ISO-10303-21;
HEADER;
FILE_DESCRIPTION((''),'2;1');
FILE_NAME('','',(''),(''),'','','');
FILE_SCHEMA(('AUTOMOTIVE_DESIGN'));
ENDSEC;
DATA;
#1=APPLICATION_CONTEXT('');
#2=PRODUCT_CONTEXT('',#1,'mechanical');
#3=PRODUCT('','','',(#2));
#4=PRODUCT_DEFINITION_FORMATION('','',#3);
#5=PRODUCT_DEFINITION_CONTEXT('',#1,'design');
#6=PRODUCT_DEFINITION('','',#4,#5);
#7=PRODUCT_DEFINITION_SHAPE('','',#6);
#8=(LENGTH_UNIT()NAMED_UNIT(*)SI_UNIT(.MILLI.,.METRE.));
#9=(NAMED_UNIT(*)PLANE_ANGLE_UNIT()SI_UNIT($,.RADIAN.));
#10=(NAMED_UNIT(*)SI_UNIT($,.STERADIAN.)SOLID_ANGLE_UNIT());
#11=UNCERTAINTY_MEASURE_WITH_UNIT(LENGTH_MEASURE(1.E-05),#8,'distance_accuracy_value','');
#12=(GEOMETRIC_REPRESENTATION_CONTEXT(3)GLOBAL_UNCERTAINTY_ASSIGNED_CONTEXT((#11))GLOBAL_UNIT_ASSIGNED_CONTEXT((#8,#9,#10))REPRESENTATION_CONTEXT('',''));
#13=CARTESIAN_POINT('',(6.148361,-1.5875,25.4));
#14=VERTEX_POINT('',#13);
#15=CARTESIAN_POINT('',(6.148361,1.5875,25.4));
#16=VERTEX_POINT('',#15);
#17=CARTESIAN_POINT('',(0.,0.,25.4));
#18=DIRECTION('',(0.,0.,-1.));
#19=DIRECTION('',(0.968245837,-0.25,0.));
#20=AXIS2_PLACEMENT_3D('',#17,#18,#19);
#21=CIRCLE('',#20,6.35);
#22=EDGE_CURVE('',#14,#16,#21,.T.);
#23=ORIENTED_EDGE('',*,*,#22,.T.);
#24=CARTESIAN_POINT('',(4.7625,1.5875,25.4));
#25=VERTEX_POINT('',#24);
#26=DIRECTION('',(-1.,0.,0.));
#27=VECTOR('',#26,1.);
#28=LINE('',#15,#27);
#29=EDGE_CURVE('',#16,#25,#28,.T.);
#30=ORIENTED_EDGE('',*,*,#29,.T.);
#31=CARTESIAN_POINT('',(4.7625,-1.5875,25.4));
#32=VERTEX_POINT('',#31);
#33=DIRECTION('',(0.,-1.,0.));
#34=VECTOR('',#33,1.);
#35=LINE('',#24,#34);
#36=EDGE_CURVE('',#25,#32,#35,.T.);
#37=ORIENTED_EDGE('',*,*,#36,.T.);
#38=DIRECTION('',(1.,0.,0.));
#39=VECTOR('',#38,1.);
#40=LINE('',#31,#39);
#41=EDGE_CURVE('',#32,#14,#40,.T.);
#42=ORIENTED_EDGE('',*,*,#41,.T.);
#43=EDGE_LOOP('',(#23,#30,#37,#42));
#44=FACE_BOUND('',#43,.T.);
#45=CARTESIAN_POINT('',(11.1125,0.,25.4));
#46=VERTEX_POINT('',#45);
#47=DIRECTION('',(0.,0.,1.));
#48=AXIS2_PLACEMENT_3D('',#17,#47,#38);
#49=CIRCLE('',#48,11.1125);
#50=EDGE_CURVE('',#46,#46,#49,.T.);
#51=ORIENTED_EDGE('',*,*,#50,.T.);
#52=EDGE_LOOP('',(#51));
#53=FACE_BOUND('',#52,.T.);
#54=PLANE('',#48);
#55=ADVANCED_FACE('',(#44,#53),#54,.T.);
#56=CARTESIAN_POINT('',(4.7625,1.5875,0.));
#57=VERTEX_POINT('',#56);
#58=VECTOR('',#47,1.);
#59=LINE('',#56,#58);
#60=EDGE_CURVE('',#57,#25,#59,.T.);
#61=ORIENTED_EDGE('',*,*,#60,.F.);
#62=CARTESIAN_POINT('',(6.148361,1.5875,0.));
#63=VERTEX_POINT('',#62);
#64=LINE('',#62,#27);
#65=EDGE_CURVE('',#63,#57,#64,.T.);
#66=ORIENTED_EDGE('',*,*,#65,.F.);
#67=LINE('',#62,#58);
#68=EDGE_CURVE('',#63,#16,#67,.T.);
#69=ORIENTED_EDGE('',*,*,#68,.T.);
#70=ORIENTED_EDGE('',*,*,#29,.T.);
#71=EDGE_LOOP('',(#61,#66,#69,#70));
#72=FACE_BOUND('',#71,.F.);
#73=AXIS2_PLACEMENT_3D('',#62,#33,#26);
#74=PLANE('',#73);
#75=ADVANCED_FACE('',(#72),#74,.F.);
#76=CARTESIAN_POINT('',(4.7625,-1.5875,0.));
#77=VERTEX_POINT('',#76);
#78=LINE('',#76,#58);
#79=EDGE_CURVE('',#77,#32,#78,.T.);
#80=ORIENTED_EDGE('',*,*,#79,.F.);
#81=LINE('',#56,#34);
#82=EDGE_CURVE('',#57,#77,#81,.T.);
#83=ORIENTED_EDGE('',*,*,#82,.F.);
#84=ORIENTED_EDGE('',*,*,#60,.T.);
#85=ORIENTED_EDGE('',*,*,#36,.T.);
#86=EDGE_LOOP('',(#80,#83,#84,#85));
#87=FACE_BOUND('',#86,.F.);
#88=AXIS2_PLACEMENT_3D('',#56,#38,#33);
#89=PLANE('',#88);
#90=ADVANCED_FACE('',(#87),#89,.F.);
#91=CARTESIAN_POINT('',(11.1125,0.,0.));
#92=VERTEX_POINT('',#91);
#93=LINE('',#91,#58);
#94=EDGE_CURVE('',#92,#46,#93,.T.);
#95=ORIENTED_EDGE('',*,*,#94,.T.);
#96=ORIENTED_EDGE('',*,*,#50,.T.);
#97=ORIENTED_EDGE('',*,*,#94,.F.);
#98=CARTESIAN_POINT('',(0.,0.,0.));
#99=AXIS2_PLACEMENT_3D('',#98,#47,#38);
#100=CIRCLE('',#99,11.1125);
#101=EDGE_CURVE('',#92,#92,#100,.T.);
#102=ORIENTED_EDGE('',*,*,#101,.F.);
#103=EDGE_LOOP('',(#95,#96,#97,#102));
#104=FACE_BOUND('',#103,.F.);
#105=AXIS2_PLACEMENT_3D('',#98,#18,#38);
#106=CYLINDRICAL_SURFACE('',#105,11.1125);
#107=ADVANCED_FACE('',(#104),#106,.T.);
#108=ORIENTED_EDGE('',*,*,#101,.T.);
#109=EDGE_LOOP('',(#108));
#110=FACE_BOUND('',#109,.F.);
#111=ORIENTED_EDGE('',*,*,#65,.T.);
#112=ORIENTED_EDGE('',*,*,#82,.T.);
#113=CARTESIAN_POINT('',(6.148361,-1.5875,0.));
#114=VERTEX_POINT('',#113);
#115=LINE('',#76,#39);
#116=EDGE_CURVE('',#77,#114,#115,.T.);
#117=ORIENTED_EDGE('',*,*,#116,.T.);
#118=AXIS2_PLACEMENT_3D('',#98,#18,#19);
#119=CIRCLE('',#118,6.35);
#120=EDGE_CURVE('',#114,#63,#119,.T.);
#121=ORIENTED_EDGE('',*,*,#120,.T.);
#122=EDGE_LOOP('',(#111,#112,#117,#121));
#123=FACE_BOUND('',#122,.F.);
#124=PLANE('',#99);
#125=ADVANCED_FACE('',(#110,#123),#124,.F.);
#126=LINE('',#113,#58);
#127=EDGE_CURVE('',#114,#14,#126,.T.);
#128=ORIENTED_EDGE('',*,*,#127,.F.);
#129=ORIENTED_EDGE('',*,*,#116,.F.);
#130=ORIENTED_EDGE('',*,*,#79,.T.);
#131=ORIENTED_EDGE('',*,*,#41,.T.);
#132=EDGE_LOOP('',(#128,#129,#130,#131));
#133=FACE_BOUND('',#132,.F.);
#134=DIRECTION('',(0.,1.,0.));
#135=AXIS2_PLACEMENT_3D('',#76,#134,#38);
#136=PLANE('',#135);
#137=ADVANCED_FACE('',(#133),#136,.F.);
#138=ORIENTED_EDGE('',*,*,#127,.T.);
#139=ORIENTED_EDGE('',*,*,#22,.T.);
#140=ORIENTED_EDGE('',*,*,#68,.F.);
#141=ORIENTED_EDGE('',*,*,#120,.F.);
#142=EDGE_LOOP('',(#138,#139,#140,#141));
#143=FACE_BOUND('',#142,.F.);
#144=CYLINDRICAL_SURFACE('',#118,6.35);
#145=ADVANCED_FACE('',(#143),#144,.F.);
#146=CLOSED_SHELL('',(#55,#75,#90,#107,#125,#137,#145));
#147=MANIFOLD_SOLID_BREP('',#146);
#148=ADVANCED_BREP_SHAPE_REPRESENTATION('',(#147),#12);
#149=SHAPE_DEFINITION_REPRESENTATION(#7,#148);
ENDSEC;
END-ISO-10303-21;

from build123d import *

# Parameters (mm, degrees)
F0_R     = 11.1125
F1_DEPTH = 25.4


with BuildPart() as f1:
    # F0 (on Top) → F1 (new body)
    with BuildSketch(Plane.XY):
        Circle(F0_R)
        with BuildLine():
            ThreePointArc((6.1483610621, -1.5875), (-6.35, 0), (6.1483610621, 1.5875))
            Line((6.1483610621, 1.5875), (7.9375, 1.5875))
            Line((7.9375, 1.5875), (7.9375, -1.5875))
            Line((7.9375, -1.5875), (6.1483610621, -1.5875))
        make_face(mode=Mode.SUBTRACT)
        with BuildLine():
            ThreePointArc((6.1483610621, 1.5875), (6.2993885713, 0.8001272573), (6.35, 0))
            ThreePointArc((6.35, 0), (6.2993885713, -0.8001272573), (6.1483610621, -1.5875))
            Line((6.1483610621, -1.5875), (7.9375, -1.5875))
            Line((7.9375, -1.5875), (7.9375, 1.5875))
            Line((7.9375, 1.5875), (6.1483610621, 1.5875))
        make_face()
        with BuildLine():
            ThreePointArc((6.1483610621, -1.5875), (6.2993885713, -0.8001272573), (6.35, 0))
            ThreePointArc((6.35, 0), (6.2993885713, 0.8001272573), (6.1483610621, 1.5875))
            Line((6.1483610621, 1.5875), (4.7625, 1.5875))
            Line((4.7625, 1.5875), (4.7625, -1.5875))
            Line((4.7625, -1.5875), (6.1483610621, -1.5875))
        make_face()
    extrude(amount=F1_DEPTH)


solid = f1.part
